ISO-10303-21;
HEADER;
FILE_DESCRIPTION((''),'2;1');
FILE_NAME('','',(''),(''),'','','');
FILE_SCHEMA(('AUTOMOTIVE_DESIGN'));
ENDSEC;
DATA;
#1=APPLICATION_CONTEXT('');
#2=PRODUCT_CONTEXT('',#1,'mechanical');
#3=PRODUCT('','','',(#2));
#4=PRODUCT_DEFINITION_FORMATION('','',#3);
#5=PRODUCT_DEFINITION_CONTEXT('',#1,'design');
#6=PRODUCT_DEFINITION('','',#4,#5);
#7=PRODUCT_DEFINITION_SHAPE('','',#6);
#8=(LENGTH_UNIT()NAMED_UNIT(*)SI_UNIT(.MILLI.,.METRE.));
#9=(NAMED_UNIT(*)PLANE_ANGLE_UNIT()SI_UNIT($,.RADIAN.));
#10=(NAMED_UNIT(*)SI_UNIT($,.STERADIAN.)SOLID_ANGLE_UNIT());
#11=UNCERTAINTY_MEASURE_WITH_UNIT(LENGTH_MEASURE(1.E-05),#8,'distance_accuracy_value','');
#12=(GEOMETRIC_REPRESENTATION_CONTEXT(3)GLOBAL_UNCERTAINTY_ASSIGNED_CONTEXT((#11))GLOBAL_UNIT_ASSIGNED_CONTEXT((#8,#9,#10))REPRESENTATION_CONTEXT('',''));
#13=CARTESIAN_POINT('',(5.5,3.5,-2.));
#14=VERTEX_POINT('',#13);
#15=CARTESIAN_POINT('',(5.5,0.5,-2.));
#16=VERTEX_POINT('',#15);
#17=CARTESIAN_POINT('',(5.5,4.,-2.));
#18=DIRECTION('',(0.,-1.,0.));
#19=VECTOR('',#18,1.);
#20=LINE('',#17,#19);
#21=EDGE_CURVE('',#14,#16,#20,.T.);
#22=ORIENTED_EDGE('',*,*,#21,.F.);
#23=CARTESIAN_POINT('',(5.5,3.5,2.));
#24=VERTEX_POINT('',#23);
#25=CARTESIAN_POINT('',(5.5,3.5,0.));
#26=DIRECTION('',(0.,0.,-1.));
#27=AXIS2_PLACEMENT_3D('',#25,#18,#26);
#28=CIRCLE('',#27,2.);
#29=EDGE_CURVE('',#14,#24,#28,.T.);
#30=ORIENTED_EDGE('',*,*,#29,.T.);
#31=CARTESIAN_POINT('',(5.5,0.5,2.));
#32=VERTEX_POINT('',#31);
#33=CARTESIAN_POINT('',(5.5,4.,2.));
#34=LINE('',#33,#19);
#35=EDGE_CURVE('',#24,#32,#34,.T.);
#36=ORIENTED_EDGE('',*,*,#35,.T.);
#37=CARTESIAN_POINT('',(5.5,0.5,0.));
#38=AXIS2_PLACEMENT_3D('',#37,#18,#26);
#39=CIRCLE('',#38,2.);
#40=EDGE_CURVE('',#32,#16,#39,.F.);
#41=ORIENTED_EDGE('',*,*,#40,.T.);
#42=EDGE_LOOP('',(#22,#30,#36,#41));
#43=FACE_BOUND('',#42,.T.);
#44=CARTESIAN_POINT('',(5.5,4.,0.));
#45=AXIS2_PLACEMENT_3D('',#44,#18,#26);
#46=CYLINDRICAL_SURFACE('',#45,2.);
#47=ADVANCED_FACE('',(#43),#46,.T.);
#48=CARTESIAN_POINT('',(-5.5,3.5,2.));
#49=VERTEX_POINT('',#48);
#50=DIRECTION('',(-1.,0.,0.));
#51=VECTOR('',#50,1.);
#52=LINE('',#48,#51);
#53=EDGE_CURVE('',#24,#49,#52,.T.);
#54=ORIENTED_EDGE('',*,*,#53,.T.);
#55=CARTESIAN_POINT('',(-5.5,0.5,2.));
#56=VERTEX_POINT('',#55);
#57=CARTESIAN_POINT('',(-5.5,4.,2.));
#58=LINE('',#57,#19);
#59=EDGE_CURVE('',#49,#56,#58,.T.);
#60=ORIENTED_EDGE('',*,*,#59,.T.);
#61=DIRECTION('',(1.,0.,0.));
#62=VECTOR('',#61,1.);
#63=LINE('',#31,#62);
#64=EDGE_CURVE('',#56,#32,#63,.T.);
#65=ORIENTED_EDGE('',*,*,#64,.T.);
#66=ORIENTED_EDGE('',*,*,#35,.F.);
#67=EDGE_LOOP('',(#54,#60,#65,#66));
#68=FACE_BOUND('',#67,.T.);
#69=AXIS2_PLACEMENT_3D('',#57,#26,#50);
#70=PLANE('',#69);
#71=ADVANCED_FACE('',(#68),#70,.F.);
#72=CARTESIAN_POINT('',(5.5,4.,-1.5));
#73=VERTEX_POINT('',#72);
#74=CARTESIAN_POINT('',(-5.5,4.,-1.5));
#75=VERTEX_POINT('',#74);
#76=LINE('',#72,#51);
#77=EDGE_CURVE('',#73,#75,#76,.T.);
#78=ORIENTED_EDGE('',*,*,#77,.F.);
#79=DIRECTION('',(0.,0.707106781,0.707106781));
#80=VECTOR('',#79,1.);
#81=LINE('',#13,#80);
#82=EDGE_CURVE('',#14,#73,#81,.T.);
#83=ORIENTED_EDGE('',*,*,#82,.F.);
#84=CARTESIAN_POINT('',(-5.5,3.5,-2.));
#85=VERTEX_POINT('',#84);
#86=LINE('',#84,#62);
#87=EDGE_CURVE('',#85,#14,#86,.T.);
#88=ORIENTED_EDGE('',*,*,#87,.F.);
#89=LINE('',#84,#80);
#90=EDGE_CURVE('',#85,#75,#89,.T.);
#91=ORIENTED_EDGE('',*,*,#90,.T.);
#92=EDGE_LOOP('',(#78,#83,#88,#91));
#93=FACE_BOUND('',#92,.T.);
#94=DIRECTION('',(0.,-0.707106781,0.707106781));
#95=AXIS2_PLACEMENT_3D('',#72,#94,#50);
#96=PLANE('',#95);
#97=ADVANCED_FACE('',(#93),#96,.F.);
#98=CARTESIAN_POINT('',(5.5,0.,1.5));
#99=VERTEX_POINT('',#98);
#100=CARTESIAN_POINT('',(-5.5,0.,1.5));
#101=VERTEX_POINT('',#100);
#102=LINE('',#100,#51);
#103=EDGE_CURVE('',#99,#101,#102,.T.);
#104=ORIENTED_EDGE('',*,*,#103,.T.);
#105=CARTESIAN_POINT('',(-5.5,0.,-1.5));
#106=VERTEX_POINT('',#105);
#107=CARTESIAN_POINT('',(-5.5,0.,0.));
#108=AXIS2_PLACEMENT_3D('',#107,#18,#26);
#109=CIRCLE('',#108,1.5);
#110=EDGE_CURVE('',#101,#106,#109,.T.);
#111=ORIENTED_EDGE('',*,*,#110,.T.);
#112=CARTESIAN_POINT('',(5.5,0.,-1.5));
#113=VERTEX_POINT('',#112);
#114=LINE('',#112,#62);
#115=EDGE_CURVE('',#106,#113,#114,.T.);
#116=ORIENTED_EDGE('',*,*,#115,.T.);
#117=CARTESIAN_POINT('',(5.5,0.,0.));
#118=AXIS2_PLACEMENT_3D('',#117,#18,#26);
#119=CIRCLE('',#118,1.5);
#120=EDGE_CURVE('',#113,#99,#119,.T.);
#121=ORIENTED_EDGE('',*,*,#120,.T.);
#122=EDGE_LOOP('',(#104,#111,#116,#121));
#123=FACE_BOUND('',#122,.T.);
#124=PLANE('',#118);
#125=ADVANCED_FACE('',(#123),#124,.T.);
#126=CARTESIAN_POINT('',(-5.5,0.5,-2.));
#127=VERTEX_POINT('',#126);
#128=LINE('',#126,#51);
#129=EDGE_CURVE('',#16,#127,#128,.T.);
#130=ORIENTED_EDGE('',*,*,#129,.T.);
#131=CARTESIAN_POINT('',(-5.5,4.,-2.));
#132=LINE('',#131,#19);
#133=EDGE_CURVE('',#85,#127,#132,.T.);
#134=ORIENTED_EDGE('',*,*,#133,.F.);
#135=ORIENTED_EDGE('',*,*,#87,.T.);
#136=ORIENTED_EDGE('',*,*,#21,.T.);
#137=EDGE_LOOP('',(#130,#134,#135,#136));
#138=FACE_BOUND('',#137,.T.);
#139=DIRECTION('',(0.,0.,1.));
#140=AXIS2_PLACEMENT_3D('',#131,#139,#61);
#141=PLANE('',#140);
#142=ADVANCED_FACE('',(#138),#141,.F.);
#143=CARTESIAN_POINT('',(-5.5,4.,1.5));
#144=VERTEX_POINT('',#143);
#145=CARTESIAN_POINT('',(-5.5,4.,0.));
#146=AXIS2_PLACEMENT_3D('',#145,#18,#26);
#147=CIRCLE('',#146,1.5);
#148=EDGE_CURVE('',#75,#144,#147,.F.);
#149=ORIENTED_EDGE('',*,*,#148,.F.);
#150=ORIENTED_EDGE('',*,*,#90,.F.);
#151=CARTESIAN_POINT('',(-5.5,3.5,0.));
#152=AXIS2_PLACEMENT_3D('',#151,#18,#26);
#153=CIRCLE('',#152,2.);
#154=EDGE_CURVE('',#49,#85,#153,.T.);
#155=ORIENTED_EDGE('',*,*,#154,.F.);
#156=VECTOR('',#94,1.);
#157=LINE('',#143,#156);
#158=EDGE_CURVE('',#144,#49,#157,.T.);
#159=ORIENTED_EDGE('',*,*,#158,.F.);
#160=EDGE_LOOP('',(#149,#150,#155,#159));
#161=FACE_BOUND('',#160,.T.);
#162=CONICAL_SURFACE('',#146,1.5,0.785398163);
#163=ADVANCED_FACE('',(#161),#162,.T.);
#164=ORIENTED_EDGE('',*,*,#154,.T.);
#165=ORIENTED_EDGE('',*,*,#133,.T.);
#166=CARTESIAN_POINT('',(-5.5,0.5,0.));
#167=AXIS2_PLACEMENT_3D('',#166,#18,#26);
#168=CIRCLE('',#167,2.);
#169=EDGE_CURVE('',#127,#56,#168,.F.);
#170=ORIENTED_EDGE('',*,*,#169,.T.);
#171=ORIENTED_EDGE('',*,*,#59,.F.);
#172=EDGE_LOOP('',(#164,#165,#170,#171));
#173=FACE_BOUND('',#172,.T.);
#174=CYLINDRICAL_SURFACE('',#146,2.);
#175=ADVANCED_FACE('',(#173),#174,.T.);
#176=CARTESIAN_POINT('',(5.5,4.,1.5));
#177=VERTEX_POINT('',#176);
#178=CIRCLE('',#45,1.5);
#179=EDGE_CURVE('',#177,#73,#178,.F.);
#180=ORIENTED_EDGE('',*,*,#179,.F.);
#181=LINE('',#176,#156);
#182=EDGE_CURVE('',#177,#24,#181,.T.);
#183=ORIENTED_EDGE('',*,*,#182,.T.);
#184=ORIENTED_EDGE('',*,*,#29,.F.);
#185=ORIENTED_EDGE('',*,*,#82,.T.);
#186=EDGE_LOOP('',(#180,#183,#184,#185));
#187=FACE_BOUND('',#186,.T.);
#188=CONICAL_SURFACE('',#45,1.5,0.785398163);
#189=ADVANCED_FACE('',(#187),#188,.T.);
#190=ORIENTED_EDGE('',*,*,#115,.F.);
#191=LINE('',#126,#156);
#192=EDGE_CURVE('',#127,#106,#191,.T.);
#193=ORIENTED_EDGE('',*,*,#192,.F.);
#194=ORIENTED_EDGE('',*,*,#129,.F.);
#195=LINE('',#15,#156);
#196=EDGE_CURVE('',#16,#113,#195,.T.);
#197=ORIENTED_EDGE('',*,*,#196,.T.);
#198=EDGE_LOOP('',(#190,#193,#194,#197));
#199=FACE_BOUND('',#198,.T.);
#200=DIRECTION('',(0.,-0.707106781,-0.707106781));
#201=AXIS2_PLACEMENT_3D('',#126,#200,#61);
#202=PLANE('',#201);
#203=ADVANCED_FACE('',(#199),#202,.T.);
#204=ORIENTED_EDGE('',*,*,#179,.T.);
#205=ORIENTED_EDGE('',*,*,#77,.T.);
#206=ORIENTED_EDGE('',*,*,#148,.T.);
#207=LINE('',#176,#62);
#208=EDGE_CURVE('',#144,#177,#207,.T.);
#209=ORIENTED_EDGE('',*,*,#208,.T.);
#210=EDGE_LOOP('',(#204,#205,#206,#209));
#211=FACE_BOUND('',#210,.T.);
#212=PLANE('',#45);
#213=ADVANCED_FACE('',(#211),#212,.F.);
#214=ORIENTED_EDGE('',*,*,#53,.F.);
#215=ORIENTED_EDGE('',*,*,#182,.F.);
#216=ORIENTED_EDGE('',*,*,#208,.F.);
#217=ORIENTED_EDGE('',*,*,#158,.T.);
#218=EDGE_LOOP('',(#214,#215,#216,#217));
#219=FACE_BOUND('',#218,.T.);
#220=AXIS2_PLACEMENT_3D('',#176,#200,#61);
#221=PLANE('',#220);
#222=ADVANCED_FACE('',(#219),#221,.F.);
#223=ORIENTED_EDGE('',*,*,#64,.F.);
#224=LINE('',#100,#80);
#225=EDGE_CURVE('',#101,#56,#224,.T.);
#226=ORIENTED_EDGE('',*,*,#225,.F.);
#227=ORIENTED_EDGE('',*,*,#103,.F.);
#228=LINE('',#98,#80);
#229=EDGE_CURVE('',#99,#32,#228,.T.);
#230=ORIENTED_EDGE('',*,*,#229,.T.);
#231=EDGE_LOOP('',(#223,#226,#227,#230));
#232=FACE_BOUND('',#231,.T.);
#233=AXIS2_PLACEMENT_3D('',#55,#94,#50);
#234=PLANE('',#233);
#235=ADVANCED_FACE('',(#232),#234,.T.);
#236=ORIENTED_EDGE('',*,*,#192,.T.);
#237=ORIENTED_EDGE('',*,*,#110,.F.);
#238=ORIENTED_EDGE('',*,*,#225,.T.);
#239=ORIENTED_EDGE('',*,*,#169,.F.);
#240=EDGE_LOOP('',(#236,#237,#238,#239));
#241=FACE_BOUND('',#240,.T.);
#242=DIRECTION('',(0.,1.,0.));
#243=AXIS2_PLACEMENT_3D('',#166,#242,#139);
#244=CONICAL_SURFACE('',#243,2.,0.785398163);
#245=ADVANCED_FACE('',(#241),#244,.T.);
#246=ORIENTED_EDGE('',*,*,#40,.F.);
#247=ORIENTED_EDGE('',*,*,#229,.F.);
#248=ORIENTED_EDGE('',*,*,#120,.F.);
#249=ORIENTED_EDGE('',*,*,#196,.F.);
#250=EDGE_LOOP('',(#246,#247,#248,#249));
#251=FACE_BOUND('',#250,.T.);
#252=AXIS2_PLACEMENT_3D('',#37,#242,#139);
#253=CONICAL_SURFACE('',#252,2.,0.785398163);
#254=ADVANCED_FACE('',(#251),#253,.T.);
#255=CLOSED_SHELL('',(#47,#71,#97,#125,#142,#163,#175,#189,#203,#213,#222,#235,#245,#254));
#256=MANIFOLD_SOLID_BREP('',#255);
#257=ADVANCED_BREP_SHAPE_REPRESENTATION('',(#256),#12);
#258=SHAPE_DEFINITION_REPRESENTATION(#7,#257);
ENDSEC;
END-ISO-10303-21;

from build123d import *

# Parameters (mm, degrees)
BOSS_EXTRUDE1_DEPTH = 4
CHAMFER1_SIZE       = 0.5


with BuildPart() as part:
    # Sketch1 → Boss-Extrude1 (new body)
    with BuildSketch(Plane(origin=(0, 0, 0), x_dir=(1, 0, 0), z_dir=(0, 1, 0))):
        with BuildLine():
            Line((-5.5, 2), (5.5, 2))
            ThreePointArc((5.5, 2), (7.5, 0), (5.5, -2))
            Line((5.5, -2), (-5.5, -2))
            ThreePointArc((-5.5, -2), (-7.5, 0), (-5.5, 2))
        make_face()
    extrude(amount=BOSS_EXTRUDE1_DEPTH)

    # Chamfer1
    chamfer1_edges = [part.edges().sort_by_distance(p)[0] for p in [
        (-7.5, 4, 0),
        (0, 4, 2),
        (7.5, 4, 0),
        (0, 0, 2),
        (-7.5, 0, 0),
        (0, 0, -2),
        (7.5, 0, 0),
        (0, 4, -2),
    ]]
    chamfer(chamfer1_edges, length=CHAMFER1_SIZE)


solid = part.part
